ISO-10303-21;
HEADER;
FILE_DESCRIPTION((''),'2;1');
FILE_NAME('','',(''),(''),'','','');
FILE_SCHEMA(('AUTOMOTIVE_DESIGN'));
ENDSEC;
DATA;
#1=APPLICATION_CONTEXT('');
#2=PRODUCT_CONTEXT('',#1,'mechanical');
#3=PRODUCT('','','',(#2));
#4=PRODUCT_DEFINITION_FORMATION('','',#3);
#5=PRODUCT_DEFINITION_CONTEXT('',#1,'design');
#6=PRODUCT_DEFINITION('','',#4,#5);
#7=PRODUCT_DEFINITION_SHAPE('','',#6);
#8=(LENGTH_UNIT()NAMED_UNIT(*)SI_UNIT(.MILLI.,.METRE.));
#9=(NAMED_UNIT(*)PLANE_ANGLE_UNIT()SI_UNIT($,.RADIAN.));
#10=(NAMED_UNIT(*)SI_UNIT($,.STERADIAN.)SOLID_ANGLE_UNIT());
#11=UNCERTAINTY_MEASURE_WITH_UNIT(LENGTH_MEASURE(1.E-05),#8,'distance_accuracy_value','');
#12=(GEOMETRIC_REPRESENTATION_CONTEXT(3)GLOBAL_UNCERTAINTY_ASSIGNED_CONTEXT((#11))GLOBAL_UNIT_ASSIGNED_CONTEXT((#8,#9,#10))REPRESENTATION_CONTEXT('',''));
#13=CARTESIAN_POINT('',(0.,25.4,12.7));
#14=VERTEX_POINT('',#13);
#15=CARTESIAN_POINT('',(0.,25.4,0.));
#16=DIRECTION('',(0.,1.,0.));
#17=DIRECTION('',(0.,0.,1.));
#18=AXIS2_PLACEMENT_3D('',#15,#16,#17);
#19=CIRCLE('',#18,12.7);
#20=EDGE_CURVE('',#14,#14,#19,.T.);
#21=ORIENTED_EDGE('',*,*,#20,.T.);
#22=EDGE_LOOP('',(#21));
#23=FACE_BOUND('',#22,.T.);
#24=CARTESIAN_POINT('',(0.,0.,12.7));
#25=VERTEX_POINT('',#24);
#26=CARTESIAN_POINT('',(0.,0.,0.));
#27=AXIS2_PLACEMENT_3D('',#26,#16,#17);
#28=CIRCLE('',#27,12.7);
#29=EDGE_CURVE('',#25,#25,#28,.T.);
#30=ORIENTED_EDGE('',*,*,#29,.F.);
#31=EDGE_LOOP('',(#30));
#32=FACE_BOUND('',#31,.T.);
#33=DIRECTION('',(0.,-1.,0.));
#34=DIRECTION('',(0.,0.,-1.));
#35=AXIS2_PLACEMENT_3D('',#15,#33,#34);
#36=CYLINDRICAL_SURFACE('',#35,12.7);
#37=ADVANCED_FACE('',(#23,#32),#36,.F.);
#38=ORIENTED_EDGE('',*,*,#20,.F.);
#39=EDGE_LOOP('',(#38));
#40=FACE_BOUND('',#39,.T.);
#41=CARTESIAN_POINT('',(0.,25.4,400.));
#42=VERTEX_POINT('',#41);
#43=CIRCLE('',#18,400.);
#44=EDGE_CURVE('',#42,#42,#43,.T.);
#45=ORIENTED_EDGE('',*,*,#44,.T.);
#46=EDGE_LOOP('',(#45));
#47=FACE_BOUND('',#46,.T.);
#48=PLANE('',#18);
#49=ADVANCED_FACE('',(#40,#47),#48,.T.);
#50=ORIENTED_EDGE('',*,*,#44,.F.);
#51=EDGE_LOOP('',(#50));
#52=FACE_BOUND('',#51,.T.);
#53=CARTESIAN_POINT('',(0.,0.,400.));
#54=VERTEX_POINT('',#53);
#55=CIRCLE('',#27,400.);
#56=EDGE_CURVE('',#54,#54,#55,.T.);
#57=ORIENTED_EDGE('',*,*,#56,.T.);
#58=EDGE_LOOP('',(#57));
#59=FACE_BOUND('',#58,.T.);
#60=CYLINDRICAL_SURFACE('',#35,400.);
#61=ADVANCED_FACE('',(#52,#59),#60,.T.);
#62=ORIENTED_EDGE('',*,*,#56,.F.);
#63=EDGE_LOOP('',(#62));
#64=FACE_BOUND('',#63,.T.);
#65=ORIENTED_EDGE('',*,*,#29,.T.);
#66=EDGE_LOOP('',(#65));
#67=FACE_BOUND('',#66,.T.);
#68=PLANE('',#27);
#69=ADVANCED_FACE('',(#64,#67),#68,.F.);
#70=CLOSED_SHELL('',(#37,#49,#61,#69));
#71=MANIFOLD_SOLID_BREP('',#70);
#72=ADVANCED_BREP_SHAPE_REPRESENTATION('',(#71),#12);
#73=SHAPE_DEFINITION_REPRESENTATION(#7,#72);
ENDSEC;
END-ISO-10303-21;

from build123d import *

# Parameters (mm, degrees)
SKETCH1_R           = 400
SKETCH1_R_2         = 12.7
BOSS_EXTRUDE1_DEPTH = 25.4


with BuildPart() as part:
    # Sketch1 → Boss-Extrude1 (new body)
    with BuildSketch(Plane(origin=(0, 0, 0), x_dir=(1, 0, 0), z_dir=(0, 1, 0))):
        with Locations(Location((0, 0, 0), (0, 0, 270))):  # turned: the seam where the file's is
            Circle(SKETCH1_R)
        with Locations(Location((0, 0, 0), (0, 0, 270))):  # turned: the seam where the file's is
            Circle(SKETCH1_R_2, mode=Mode.SUBTRACT)
    extrude(amount=BOSS_EXTRUDE1_DEPTH)


solid = part.part
